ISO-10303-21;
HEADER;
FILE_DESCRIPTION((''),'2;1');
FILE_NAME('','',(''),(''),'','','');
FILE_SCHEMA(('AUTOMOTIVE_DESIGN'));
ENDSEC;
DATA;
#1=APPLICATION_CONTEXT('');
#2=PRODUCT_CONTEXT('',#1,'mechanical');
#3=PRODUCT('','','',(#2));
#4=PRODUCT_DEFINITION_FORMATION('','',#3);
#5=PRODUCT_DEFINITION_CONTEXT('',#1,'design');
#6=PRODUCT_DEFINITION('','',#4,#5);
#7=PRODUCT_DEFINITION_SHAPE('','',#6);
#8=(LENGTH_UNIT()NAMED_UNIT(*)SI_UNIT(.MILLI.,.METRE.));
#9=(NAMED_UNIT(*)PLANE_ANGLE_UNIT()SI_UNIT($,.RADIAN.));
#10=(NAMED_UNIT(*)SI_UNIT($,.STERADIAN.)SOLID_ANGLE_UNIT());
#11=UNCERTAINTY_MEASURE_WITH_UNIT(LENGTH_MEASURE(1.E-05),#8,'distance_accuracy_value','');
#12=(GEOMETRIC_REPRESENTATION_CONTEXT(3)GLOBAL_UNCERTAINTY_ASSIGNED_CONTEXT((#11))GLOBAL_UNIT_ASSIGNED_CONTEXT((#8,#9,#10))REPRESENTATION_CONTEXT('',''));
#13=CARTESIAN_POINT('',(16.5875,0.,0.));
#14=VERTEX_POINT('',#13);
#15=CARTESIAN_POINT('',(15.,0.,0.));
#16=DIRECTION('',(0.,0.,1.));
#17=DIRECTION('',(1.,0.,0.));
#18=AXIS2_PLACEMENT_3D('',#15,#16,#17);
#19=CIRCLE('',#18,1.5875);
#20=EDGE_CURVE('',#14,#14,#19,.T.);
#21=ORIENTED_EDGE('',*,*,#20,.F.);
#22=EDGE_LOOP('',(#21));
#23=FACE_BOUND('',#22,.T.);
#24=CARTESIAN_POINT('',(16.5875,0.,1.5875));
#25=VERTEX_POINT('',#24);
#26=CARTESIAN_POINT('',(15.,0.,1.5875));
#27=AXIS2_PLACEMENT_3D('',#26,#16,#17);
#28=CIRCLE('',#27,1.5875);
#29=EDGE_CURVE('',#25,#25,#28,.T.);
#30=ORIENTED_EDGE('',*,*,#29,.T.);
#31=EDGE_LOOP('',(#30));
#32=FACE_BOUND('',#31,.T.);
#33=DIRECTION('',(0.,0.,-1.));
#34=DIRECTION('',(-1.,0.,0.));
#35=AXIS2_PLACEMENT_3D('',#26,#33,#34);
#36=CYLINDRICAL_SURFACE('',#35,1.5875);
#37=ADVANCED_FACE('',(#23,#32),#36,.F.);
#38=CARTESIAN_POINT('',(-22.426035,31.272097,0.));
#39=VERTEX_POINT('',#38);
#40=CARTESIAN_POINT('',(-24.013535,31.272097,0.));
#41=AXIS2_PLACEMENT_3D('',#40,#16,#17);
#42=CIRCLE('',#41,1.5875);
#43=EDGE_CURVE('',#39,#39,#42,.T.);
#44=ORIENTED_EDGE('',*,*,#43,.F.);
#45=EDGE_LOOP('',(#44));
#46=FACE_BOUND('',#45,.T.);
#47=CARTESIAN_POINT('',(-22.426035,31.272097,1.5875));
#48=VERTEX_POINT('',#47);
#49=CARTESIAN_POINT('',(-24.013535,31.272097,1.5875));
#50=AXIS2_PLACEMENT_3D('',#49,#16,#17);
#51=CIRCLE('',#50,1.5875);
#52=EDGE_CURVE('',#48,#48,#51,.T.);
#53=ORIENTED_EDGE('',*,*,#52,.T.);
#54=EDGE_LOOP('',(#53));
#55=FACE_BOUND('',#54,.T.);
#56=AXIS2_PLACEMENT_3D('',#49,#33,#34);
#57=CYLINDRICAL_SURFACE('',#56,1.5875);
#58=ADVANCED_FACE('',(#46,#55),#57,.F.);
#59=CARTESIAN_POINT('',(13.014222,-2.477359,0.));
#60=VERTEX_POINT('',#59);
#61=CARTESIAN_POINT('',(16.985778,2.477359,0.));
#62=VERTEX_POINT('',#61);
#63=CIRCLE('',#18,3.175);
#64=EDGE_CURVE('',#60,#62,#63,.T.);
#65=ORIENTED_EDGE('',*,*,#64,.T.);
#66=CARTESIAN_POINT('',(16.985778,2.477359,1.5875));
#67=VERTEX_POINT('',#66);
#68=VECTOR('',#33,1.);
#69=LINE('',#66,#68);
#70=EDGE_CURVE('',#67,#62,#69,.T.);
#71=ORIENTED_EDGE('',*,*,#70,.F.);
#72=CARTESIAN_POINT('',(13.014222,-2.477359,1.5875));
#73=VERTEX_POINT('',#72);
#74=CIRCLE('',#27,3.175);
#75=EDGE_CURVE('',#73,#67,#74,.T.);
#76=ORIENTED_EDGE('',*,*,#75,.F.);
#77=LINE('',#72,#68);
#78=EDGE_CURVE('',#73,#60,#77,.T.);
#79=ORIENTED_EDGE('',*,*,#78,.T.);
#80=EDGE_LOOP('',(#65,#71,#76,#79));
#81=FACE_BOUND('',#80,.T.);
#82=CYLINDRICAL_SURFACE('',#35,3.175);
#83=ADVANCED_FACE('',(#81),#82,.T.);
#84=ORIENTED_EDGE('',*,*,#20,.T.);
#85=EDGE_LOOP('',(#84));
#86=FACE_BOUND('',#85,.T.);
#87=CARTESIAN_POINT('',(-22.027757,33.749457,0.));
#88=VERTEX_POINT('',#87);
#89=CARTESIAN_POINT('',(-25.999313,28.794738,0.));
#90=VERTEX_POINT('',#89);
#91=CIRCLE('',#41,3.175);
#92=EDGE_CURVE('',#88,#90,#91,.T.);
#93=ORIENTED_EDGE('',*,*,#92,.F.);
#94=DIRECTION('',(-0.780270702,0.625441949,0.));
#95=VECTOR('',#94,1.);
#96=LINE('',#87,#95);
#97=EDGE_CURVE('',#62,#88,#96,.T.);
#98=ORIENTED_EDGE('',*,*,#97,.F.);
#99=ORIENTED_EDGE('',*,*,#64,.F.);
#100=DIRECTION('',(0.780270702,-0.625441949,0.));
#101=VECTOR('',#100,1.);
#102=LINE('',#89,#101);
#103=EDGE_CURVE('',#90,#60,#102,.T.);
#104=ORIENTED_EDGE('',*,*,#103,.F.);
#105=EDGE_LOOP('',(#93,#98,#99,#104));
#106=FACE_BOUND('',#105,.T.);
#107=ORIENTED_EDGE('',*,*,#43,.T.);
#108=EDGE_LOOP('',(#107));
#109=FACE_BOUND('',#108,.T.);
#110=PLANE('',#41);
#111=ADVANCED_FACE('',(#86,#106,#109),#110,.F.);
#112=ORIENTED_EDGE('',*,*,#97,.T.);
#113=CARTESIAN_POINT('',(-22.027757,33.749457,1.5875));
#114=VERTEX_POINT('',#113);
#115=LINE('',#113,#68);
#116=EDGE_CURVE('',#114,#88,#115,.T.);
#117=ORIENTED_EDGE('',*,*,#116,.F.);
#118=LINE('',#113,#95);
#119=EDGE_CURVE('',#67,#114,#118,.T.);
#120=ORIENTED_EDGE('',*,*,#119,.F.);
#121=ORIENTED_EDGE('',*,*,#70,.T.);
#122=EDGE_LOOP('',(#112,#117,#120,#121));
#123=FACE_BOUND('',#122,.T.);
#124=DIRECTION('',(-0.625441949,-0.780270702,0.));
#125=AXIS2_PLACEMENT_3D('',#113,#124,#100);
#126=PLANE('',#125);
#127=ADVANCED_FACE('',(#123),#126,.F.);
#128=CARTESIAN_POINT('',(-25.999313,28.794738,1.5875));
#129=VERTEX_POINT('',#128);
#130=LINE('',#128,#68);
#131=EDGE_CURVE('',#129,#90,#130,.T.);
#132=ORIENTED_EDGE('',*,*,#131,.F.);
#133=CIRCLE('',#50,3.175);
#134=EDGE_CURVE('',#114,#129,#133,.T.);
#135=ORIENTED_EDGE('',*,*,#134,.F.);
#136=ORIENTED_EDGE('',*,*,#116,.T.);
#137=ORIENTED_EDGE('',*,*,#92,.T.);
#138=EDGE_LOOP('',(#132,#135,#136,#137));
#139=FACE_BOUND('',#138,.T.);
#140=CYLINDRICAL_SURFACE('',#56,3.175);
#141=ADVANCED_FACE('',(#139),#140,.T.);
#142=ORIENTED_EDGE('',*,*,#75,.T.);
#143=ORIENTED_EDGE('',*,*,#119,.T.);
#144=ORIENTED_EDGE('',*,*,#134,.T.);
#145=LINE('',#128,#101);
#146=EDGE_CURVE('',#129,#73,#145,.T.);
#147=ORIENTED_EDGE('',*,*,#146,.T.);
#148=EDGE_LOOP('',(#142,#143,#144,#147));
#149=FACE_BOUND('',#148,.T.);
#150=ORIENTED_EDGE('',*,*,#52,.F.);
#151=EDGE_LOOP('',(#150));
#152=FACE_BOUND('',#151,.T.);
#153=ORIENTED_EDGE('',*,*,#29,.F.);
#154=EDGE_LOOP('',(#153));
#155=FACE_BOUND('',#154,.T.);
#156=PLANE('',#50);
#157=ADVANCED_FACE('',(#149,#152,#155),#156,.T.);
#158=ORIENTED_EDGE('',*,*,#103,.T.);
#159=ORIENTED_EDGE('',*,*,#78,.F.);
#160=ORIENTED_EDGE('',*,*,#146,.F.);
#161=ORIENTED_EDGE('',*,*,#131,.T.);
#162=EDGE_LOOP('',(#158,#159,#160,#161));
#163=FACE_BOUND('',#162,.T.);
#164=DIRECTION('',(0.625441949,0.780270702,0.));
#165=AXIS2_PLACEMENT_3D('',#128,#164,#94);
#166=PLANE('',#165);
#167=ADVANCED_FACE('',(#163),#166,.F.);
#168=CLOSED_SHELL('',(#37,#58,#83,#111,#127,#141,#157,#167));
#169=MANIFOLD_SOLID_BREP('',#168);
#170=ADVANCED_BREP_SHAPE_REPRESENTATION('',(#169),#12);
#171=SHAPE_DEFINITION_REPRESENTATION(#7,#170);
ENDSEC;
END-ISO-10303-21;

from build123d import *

# Parameters (mm, degrees)
SKETCH1_R           = 1.5875
BOSS_EXTRUDE1_DEPTH = 1.5875


with BuildPart() as part:
    # Sketch1 → Boss-Extrude1 (new body)
    with BuildSketch(Plane.XY):
        with BuildLine():
            Line((-22.027756909, 33.749456934), (16.985778188, 2.477359479))
            ThreePointArc((16.985778188, 2.477359479), (17.477359479, -1.985778188), (13.014221812, -2.477359479))
            Line((13.014221812, -2.477359479), (-25.999313286, 28.794737976))
            ThreePointArc((-25.999313286, 28.794737976), (-26.490894576, 33.257875643), (-22.027756909, 33.749456934))
        make_face()
        with Locations((-24.013535097, 31.272097455)):
            Circle(SKETCH1_R, mode=Mode.SUBTRACT)
        with Locations((15, 0)):
            Circle(SKETCH1_R, mode=Mode.SUBTRACT)
    extrude(amount=BOSS_EXTRUDE1_DEPTH)


solid = part.part
